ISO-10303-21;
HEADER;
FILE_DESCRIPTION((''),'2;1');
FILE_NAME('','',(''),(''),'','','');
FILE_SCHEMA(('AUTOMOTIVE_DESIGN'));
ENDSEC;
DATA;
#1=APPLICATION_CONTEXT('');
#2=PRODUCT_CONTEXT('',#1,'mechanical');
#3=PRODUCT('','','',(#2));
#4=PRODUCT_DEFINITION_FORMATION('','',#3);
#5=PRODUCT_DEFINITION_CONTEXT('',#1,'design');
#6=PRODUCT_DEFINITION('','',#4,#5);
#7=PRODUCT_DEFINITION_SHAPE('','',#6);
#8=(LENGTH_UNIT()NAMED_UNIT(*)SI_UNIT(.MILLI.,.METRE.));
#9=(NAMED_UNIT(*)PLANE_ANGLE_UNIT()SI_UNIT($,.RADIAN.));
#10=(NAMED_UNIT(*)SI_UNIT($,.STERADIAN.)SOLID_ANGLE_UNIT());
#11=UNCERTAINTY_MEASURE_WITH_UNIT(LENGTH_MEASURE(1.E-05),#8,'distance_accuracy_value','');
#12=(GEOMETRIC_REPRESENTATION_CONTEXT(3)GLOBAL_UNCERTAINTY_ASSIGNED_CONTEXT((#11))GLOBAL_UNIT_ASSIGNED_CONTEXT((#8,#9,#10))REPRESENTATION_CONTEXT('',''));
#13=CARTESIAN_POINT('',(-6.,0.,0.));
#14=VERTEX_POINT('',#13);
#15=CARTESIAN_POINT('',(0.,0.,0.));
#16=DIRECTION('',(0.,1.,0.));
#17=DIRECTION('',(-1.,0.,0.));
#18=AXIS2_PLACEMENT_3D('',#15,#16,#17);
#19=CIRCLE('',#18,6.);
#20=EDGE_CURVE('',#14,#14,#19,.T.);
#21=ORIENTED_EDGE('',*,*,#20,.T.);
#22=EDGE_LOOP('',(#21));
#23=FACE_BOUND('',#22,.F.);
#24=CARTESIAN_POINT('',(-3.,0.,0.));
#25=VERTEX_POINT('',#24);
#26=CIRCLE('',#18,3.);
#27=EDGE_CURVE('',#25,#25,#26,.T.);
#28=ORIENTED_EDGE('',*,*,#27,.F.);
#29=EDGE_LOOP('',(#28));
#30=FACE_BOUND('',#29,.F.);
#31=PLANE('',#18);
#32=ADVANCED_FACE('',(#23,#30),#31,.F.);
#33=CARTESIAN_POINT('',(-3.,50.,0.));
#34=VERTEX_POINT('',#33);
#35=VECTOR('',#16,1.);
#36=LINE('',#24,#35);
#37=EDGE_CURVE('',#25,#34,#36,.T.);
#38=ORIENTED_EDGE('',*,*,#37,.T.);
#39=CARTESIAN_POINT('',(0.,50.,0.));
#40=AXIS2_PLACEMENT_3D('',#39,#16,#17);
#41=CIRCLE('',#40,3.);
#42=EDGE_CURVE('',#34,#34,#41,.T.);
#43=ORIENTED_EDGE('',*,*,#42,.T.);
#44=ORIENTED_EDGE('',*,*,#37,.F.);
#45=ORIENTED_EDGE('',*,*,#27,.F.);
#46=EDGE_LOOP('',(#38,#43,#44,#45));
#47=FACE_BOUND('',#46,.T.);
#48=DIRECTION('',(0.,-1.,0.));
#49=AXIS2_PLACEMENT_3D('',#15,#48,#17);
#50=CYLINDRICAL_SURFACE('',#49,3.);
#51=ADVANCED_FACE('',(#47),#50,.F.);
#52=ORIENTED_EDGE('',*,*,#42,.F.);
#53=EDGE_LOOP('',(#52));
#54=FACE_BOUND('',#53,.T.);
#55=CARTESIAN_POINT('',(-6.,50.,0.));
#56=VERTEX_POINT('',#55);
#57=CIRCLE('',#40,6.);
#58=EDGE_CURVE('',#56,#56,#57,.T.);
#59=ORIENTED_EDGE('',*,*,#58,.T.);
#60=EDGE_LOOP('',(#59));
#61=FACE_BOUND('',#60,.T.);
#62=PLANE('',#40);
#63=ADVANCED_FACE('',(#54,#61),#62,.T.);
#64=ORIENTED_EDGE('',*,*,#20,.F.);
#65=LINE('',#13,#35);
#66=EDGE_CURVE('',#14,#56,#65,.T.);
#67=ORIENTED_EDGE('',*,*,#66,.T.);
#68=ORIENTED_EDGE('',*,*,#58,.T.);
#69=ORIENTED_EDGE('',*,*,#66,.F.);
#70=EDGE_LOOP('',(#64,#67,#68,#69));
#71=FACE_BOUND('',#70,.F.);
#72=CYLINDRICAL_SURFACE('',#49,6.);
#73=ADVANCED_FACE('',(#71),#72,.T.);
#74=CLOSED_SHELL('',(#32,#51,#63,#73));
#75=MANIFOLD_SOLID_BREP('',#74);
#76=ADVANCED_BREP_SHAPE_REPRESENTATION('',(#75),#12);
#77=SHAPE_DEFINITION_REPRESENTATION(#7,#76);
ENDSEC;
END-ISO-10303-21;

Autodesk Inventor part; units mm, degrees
ref_plane "YZ Plane" through (0, 0, 0) normal (1, 0, 0) x (0, 1, 0)
ref_plane "XZ Plane" through (0, 0, 0) normal (0, 1, 0) x (-1, 0, 0)
ref_plane "XY Plane" through (0, 0, 0) normal (0, 0, 1) x (1, 0, 0)
sketch "Sketch1" plane through (0, 0, 0) normal (0, 1, 0) x (-1, 0, 0)
  circle A0 centre (0, 0) radius 6
  circle A1 centre (0, 0) radius 3
  dimension "d0" = 6
  dimension "d1" = 12
extrude "Extrusion1" add sketch "Sketch1" along normal blind 50
properties part number "roller_50"
